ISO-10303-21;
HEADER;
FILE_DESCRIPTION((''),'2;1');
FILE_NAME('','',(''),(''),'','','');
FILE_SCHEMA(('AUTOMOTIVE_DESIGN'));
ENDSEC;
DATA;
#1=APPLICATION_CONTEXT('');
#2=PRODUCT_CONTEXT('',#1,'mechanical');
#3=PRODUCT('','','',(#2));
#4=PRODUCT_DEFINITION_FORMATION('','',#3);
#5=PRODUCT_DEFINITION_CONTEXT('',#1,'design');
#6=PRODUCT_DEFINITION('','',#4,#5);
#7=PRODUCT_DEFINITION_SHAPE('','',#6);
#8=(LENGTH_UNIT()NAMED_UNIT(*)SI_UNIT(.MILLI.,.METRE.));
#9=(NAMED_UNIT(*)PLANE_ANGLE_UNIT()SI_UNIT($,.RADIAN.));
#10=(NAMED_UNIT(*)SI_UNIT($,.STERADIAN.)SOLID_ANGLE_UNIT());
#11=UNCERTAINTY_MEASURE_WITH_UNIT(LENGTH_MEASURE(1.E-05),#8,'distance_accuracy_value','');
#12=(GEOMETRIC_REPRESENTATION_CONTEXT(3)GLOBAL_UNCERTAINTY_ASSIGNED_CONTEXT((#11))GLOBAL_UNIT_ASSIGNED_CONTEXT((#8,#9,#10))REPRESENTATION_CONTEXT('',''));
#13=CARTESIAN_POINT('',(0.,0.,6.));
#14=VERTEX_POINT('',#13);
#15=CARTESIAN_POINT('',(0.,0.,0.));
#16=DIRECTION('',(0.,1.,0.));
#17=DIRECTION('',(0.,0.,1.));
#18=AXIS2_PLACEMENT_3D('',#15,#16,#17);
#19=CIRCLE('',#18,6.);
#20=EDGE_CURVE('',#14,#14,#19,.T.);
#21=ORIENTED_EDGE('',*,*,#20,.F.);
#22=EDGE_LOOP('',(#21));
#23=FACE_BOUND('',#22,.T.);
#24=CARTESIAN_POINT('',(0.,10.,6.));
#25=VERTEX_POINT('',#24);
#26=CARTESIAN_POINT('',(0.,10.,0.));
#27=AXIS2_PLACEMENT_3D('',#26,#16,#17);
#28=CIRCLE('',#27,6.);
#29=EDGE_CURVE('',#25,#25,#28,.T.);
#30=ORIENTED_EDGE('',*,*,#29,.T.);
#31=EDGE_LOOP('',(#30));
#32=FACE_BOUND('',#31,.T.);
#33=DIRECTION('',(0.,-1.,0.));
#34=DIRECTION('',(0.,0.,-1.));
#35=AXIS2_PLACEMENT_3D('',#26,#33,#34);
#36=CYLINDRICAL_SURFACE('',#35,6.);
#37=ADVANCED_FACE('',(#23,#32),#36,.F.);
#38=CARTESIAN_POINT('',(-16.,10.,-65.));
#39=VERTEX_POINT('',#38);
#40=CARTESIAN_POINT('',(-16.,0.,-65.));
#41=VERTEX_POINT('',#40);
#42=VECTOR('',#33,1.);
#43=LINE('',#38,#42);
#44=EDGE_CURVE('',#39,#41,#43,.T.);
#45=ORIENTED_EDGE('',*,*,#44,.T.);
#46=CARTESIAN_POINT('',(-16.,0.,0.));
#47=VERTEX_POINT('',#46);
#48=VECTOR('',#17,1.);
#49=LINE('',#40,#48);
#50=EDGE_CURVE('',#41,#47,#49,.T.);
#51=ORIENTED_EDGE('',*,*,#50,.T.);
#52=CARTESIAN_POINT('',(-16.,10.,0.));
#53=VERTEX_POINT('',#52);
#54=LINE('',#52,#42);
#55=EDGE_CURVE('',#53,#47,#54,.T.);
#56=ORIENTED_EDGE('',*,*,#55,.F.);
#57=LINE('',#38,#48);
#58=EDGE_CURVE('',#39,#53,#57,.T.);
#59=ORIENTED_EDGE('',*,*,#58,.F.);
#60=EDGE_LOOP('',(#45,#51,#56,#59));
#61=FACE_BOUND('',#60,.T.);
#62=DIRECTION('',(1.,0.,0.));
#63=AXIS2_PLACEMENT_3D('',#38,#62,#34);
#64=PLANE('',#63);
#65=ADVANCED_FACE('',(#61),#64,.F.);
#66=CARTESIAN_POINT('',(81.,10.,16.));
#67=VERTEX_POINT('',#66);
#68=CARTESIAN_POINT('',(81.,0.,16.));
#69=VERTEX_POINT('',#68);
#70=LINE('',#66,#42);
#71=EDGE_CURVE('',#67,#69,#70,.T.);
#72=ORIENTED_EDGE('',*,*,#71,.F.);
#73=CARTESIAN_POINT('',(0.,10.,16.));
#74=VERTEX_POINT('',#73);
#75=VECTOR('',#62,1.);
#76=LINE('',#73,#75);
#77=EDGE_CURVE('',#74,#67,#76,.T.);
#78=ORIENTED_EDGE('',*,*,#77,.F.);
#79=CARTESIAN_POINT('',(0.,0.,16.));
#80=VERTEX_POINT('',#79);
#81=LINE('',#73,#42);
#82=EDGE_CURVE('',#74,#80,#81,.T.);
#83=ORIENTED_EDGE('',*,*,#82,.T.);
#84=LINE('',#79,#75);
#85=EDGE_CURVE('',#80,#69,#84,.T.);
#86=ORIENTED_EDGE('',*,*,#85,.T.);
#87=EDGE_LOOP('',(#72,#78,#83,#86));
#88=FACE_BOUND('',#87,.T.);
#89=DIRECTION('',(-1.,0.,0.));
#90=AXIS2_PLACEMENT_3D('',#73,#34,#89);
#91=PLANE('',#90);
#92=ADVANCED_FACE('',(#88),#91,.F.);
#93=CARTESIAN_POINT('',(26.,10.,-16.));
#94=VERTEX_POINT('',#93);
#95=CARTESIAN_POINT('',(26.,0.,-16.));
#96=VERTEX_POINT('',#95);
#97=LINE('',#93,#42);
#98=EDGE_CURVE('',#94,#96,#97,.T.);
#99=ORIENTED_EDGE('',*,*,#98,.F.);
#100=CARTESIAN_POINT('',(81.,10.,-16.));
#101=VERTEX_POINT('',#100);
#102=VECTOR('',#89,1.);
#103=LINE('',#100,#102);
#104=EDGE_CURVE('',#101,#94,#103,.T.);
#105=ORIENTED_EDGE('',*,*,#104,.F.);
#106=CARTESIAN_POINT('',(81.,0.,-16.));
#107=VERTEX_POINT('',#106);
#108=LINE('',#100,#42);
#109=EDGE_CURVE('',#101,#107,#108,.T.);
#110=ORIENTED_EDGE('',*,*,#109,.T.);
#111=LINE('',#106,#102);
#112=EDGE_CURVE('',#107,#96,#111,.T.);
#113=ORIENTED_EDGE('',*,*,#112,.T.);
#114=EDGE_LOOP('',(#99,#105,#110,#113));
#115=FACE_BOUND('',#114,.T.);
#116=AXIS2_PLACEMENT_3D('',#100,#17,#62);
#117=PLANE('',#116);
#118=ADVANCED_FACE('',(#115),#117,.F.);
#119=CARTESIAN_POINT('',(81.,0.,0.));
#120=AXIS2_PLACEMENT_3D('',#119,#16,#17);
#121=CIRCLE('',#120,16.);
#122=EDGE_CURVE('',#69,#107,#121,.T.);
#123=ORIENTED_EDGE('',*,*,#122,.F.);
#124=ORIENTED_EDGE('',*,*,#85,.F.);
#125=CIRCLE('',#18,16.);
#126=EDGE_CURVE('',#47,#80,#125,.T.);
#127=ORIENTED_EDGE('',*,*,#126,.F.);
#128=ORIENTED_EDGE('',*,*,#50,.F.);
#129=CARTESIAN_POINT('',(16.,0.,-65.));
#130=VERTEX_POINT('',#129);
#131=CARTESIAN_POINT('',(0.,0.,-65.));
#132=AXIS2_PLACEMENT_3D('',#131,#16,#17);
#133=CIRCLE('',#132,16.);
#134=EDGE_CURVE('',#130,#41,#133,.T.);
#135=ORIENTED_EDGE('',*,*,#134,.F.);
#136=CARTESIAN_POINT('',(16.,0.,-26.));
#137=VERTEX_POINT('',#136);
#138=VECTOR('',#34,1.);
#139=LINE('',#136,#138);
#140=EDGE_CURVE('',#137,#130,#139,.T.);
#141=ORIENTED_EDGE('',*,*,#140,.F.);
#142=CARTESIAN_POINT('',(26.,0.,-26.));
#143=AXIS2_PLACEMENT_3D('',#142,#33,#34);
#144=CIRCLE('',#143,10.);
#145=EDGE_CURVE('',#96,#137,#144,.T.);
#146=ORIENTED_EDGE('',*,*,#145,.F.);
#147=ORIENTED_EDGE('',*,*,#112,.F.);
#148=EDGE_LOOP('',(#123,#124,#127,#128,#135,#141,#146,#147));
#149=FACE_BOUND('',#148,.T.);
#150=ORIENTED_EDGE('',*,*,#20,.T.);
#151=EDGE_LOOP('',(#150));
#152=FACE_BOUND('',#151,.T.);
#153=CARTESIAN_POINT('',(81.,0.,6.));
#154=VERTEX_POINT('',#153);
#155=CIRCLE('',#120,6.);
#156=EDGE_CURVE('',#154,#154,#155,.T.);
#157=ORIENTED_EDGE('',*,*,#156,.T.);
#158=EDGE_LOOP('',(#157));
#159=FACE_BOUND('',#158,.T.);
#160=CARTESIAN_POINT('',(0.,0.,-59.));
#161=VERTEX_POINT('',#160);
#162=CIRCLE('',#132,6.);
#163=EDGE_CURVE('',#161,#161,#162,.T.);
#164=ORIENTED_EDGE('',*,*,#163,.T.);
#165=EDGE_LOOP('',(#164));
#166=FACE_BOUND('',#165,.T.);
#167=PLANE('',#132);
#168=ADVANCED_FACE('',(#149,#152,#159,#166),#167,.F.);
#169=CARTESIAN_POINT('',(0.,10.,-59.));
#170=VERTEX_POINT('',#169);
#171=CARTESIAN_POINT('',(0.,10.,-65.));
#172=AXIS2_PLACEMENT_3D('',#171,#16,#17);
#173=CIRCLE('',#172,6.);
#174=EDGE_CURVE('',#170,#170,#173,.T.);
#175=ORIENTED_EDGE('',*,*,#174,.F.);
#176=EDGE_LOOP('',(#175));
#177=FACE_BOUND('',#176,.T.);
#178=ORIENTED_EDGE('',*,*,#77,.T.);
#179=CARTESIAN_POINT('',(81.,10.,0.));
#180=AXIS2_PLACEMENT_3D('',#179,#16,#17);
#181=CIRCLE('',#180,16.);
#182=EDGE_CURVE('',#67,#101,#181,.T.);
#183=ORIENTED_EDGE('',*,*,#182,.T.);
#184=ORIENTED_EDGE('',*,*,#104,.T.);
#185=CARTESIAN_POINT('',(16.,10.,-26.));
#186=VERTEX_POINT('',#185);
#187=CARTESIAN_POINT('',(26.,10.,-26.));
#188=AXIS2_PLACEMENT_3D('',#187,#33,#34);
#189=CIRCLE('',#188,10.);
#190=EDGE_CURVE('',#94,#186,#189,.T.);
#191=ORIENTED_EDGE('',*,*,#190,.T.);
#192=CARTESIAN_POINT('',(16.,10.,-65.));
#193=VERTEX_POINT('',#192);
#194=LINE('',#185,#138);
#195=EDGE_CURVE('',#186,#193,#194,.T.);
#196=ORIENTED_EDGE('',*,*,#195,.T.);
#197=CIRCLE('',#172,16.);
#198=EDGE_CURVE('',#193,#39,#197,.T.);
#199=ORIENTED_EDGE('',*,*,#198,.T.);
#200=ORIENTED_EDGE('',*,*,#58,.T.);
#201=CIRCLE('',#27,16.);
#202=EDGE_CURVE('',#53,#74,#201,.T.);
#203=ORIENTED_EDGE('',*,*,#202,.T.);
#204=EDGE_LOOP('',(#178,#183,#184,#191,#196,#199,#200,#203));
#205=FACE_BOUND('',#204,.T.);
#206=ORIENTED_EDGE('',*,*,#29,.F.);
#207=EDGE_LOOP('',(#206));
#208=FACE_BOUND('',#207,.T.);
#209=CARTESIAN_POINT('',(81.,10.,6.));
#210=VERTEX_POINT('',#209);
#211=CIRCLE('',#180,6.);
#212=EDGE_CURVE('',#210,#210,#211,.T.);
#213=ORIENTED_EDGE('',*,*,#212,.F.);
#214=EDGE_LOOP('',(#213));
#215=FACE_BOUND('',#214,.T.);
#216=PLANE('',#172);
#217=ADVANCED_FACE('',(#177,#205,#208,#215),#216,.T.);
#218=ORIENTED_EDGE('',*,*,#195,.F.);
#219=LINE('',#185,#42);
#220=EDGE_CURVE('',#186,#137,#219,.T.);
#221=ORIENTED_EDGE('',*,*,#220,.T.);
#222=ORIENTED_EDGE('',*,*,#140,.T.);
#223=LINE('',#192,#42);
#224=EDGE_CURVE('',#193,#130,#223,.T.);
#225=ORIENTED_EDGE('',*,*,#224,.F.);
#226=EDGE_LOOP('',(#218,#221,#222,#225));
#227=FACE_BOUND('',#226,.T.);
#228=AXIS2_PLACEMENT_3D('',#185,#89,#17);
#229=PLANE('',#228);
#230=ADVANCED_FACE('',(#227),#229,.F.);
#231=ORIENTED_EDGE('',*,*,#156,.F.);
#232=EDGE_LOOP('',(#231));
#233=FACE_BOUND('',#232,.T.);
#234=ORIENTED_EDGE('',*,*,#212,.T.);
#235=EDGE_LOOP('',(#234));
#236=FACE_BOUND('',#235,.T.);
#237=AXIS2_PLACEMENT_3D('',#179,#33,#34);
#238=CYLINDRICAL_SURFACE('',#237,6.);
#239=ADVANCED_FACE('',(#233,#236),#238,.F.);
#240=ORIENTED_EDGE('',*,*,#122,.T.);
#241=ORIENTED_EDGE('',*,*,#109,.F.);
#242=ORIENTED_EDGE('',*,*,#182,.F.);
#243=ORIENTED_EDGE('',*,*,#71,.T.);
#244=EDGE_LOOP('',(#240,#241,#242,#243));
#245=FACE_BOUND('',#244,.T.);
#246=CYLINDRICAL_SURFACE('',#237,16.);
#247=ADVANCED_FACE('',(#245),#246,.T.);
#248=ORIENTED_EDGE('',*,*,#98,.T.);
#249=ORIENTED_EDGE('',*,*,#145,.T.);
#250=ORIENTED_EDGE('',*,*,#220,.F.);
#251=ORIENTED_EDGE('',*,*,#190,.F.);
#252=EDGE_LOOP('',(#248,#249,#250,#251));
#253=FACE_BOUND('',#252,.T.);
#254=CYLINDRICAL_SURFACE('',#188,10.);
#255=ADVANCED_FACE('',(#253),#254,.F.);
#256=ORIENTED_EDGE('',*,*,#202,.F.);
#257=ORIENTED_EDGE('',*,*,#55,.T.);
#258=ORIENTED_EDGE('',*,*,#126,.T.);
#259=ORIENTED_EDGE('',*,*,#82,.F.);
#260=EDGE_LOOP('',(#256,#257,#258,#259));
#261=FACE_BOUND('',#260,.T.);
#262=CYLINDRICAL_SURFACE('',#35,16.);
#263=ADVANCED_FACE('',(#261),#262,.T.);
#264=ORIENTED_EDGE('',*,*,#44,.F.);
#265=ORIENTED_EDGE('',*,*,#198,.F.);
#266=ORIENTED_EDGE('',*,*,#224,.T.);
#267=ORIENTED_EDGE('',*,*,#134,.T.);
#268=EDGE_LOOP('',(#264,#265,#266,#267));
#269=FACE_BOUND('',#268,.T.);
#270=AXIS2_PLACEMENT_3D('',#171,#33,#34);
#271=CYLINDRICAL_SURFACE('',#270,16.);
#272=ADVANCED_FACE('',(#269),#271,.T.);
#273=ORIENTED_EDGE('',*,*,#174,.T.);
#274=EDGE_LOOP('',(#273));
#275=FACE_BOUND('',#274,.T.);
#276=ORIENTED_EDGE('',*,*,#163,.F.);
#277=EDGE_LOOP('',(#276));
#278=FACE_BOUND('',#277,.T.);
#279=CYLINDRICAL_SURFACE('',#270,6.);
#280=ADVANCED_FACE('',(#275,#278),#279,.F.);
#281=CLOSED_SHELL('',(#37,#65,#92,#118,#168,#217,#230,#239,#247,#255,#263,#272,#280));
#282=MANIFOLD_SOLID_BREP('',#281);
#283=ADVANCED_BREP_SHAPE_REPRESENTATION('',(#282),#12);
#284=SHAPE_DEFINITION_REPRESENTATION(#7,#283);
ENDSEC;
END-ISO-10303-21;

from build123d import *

# Parameters (mm, degrees)
SKETCH1_R           = 6
BOSS_EXTRUDE1_DEPTH = 10


with BuildPart() as part:
    # Sketch1 → Boss-Extrude1 (new body)
    with BuildSketch(Plane(origin=(0, 0, 0), x_dir=(1, 0, 0), z_dir=(0, 1, 0))):
        with BuildLine():
            Line((-16, 65), (-16, 0))
            ThreePointArc((-16, 0), (-11.313708499, -11.313708499), (0, -16))
            Line((0, -16), (81, -16))
            ThreePointArc((81, -16), (97, 0), (81, 16))
            Line((81, 16), (26, 16))
            ThreePointArc((26, 16), (18.928932188, 18.928932188), (16, 26))
            Line((16, 26), (16, 65))
            ThreePointArc((16, 65), (0, 81), (-16, 65))
        make_face()
        with Locations(Location((0, 0, 0), (0, 0, 270))):
            Circle(SKETCH1_R, mode=Mode.SUBTRACT)
        with Locations(Location((81, 0, 0), (0, 0, 270))):
            Circle(SKETCH1_R, mode=Mode.SUBTRACT)
        with Locations(Location((0, 65, 0), (0, 0, 270))):
            Circle(SKETCH1_R, mode=Mode.SUBTRACT)
    extrude(amount=BOSS_EXTRUDE1_DEPTH)


solid = part.part
